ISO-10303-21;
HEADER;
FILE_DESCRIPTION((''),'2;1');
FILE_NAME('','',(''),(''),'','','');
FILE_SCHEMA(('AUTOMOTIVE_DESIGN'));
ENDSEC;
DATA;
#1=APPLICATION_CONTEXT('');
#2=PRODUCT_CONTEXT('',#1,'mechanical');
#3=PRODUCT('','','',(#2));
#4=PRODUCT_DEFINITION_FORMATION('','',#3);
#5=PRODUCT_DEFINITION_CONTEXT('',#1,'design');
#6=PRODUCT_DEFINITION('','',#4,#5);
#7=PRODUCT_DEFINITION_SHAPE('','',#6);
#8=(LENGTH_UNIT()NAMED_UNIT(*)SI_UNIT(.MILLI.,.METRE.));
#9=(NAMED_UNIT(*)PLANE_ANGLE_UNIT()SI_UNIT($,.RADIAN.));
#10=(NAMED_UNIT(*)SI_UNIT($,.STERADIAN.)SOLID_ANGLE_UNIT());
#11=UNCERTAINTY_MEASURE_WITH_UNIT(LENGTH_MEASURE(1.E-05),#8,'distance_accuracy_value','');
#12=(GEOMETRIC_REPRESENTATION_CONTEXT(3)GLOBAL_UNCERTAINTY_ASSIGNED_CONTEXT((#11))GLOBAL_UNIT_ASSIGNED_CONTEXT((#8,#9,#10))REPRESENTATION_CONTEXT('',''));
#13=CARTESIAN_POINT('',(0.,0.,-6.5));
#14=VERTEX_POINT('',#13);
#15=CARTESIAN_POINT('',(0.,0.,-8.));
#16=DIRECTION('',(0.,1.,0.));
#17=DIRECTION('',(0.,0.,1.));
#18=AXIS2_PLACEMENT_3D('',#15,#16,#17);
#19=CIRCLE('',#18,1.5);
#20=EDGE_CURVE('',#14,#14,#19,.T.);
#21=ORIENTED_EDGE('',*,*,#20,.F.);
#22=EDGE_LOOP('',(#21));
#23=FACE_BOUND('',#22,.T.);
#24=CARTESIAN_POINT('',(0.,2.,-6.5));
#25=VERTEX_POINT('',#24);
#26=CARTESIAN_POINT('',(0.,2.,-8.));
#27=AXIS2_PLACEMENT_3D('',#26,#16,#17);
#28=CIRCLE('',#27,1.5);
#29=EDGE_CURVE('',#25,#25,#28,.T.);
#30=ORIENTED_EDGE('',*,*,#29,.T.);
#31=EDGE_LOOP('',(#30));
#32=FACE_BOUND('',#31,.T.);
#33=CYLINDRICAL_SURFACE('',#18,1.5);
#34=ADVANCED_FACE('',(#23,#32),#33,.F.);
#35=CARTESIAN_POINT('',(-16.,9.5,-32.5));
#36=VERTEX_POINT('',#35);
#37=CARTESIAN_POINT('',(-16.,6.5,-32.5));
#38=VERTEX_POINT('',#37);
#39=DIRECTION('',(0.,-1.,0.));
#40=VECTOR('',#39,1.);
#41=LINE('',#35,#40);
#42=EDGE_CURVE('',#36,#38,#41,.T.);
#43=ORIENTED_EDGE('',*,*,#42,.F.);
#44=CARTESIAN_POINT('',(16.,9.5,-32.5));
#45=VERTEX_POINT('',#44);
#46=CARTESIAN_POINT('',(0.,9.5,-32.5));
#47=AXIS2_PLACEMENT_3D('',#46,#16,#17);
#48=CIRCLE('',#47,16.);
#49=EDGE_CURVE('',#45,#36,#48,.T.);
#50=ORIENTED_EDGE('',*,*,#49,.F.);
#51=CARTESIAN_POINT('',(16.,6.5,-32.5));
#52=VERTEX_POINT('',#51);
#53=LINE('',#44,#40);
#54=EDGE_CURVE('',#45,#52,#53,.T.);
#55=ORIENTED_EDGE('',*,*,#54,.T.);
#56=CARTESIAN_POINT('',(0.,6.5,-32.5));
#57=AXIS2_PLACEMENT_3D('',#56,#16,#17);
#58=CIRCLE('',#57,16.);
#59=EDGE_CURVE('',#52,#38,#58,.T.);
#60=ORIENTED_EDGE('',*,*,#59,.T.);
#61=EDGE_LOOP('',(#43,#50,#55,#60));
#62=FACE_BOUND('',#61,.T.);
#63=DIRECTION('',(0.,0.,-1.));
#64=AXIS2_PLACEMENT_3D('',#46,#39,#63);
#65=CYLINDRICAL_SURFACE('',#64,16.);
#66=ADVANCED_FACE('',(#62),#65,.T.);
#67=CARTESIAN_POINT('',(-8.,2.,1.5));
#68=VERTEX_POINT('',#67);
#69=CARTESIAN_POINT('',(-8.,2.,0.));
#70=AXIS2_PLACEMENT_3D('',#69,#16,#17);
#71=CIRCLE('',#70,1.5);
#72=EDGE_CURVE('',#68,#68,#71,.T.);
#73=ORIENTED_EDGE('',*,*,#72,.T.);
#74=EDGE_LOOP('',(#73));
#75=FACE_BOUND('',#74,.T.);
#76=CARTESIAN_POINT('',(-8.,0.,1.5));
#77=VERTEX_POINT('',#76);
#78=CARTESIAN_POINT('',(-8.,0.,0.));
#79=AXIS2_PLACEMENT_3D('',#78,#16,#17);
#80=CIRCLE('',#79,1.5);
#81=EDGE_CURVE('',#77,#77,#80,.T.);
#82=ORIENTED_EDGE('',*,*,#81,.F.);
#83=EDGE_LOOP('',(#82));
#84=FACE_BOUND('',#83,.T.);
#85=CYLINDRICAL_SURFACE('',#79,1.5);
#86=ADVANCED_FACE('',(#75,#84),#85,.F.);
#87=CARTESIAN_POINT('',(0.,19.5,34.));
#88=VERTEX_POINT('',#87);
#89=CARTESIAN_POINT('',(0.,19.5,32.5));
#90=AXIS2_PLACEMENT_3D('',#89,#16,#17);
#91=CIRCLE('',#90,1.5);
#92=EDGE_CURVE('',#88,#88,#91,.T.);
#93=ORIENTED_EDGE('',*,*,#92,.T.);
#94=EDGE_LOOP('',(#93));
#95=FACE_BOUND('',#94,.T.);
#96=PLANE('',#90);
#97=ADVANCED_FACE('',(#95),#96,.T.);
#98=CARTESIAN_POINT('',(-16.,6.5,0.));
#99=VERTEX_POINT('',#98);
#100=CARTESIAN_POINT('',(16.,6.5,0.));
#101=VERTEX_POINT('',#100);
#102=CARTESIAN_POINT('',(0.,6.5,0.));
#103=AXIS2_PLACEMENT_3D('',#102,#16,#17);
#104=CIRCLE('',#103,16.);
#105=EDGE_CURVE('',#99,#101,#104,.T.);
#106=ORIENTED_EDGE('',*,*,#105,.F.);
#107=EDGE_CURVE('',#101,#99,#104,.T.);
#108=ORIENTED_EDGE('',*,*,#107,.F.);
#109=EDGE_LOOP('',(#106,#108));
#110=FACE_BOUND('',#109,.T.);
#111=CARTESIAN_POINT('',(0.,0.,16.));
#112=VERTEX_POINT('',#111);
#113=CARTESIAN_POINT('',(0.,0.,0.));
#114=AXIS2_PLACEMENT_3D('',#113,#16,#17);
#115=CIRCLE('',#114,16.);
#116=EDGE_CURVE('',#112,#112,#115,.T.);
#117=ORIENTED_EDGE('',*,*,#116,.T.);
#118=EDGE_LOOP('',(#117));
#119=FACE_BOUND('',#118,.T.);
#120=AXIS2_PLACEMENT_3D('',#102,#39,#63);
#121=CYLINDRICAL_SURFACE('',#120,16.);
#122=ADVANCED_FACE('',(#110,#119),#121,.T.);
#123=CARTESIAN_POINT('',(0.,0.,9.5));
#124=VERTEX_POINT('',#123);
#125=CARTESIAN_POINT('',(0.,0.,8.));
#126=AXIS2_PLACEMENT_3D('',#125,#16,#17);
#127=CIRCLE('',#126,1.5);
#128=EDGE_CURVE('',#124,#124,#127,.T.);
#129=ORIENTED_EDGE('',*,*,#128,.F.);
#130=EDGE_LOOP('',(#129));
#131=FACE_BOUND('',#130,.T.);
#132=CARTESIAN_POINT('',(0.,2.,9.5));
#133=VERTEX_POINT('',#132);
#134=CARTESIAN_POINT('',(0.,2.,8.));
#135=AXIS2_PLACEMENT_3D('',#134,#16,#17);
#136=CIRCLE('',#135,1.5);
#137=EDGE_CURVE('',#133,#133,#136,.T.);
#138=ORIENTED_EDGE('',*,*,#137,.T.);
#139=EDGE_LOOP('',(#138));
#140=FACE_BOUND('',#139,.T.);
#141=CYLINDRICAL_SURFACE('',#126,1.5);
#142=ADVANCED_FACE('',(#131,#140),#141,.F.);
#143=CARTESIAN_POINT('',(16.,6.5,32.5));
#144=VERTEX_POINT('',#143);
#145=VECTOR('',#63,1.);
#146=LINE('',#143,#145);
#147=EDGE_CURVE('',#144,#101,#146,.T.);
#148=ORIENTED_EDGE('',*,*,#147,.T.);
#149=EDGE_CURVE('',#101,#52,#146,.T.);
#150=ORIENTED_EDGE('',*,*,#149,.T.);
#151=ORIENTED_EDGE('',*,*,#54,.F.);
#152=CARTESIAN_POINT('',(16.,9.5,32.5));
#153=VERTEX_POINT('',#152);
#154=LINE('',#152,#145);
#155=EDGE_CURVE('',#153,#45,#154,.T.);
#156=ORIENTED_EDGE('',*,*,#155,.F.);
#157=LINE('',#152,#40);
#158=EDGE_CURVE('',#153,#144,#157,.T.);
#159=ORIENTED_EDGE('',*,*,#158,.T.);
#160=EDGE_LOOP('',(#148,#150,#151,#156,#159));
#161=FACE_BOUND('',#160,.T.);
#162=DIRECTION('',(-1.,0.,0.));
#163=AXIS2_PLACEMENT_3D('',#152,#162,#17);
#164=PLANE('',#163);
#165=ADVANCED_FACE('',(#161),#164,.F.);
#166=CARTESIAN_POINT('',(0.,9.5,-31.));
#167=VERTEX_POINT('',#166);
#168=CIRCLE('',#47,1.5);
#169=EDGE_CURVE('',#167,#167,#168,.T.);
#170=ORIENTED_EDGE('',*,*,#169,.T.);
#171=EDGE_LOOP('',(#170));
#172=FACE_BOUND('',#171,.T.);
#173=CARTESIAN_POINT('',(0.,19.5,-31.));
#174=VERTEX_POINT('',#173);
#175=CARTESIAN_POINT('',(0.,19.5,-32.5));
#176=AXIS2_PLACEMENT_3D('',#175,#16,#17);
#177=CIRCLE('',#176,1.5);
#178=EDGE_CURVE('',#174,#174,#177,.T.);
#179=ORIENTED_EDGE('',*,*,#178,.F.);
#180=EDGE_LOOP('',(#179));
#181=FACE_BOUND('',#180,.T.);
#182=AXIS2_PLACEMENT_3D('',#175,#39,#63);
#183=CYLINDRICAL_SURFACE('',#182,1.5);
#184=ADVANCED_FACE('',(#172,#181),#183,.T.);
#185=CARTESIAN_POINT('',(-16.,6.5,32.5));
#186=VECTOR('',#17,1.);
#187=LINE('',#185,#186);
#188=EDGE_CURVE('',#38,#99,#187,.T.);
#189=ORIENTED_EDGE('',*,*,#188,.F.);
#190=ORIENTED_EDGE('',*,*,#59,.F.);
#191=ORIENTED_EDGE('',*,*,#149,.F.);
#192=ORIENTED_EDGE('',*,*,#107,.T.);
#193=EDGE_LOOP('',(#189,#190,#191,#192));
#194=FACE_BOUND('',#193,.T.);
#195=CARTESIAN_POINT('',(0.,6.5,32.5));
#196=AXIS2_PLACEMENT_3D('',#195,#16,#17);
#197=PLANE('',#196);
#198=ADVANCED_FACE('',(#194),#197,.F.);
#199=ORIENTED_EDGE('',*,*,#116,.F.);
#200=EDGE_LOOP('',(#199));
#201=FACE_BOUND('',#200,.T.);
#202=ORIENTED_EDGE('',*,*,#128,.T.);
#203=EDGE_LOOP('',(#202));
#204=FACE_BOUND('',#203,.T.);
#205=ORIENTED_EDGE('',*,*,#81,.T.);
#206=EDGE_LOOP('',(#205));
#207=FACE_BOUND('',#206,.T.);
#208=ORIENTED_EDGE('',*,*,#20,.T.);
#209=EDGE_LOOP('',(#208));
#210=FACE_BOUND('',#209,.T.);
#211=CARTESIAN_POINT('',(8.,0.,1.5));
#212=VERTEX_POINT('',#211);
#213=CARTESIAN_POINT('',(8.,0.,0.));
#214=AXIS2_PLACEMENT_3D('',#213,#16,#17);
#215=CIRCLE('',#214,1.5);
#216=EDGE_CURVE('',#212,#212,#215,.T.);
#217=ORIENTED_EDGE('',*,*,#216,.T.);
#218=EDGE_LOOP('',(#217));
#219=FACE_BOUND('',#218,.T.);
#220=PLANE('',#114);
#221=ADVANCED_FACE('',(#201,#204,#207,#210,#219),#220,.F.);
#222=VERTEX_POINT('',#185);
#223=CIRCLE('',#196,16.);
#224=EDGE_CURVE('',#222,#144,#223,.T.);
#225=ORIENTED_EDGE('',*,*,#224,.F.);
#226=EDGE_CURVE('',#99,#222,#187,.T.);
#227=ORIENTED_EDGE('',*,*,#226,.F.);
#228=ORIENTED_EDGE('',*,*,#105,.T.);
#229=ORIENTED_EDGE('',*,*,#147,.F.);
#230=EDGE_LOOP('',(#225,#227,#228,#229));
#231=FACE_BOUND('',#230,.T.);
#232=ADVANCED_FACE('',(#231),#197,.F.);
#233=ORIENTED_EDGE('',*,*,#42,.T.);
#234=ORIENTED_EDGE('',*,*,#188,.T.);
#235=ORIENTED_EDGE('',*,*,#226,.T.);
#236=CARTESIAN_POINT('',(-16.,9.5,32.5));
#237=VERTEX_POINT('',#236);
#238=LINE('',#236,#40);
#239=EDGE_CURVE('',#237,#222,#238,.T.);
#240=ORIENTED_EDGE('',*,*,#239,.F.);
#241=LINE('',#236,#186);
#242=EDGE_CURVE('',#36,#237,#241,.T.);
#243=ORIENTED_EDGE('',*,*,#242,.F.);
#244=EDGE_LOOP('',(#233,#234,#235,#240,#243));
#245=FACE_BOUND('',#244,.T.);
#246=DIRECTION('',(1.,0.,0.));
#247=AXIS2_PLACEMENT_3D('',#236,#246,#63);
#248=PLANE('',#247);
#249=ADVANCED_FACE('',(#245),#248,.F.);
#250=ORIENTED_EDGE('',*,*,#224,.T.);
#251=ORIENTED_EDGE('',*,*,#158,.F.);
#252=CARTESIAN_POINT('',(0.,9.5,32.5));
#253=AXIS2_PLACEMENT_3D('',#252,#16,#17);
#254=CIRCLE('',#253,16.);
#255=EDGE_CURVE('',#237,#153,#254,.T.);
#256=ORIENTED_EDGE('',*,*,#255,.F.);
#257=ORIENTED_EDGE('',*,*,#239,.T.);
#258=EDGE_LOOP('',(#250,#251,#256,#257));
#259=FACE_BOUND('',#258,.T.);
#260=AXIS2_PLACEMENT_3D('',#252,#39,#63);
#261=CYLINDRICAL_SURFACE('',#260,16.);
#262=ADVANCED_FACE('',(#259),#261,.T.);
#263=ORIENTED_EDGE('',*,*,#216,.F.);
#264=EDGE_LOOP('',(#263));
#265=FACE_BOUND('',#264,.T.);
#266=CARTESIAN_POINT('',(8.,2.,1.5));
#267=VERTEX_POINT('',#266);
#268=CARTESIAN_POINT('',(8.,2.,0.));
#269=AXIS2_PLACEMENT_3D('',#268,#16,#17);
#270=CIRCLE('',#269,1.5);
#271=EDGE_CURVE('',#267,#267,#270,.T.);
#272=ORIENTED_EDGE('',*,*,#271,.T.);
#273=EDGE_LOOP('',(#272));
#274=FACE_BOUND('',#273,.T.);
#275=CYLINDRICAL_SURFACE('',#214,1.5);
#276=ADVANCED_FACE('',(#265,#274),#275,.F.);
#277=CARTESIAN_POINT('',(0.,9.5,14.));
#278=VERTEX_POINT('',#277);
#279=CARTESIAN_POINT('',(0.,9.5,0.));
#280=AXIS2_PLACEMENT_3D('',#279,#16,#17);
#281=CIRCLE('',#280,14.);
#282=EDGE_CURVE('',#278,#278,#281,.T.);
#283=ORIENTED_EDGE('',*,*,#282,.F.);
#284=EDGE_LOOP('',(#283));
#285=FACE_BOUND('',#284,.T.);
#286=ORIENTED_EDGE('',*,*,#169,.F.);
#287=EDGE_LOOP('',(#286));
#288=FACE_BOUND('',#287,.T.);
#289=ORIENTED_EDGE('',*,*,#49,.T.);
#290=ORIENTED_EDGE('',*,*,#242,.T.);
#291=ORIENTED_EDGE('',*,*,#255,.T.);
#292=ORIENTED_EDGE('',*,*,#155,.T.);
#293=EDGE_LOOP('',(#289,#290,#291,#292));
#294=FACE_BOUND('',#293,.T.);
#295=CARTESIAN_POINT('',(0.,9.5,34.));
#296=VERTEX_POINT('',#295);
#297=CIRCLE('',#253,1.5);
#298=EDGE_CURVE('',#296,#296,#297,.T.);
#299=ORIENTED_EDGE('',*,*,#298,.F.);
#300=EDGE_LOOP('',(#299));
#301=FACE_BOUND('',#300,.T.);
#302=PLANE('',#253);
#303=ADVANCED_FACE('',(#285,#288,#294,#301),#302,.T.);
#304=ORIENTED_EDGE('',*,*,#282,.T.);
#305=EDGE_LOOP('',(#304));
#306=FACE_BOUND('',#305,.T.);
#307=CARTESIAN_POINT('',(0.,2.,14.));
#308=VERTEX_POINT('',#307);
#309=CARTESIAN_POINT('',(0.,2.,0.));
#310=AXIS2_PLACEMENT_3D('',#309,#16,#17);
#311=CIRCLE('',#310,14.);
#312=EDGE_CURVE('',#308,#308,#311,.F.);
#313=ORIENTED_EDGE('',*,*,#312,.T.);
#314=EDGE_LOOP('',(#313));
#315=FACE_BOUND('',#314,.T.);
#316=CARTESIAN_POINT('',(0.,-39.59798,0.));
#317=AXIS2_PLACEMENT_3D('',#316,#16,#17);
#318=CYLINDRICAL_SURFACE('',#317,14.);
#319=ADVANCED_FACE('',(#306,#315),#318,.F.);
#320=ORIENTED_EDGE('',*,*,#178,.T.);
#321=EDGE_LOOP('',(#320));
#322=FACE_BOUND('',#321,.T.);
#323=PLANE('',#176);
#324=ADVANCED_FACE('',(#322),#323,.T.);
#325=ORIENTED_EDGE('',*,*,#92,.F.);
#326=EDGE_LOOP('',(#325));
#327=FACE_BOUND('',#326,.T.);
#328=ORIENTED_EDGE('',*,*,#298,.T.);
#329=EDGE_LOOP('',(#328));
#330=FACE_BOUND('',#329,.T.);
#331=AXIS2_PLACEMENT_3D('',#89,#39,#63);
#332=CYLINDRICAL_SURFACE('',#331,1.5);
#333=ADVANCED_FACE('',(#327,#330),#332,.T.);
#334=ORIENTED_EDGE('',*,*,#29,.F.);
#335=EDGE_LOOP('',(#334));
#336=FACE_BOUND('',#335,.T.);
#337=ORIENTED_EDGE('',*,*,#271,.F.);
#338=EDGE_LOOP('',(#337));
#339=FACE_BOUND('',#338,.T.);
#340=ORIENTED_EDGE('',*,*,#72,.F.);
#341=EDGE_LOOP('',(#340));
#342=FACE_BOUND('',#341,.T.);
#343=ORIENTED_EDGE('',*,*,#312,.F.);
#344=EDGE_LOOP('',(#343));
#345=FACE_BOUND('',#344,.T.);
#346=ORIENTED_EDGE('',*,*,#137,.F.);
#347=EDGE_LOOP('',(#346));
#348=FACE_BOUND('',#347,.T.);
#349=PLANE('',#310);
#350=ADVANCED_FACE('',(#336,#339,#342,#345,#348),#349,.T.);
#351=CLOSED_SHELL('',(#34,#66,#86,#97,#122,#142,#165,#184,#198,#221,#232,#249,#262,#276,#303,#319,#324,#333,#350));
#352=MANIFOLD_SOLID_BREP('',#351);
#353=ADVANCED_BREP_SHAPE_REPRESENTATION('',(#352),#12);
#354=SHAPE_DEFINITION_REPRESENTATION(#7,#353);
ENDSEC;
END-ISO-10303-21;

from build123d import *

# Parameters (mm, degrees)
SKETCH1_R           = 16
BOSS_EXTRUDE1_DEPTH = 6.5
BOSS_EXTRUDE2_DEPTH = 3
SKETCH3_R           = 1.5
BOSS_EXTRUDE3_DEPTH = 10
SKETCH4_R           = 14
CUT_EXTRUDE1_DEPTH  = 7.5
SKETCH5_R           = 1.5
CUT_EXTRUDE2_DEPTH  = 54.986109325


with BuildPart() as part:
    # Sketch1 → Boss-Extrude1 (new body)
    with BuildSketch(Plane(origin=(0, 0, 0), x_dir=(1, 0, 0), z_dir=(0, 1, 0))):
        with Locations(Location((0, 0, 0), (0, 0, 90))):
            Circle(SKETCH1_R)
    extrude(amount=BOSS_EXTRUDE1_DEPTH)

    # Sketch2 → Boss-Extrude2 (add)
    with BuildSketch(Plane(origin=(0, 6.5, 0), x_dir=(1, 0, 0), z_dir=(0, 1, 0))):
        with BuildLine():
            Line((-16, -32.5), (-16, 32.5))
            ThreePointArc((-16, 32.5), (0, 48.5), (16, 32.5))
            Line((16, 32.5), (16, -32.5))
            ThreePointArc((16, -32.5), (0, -48.5), (-16, -32.5))
        make_face()
    extrude(amount=BOSS_EXTRUDE2_DEPTH)

    # Sketch3 → Boss-Extrude3 (add)
    with BuildSketch(Plane(origin=(0, 9.5, 0), x_dir=(1, 0, 0), z_dir=(0, 1, 0))):
        with Locations(Location((0, 32.5, 0), (0, 0, 270))):
            Circle(SKETCH3_R)
        with Locations(Location((0, -32.5, 0), (0, 0, 270))):
            Circle(SKETCH3_R)
    extrude(amount=BOSS_EXTRUDE3_DEPTH)

    # Sketch4 → Cut-Extrude1 (cut)
    with BuildSketch(Plane(origin=(0, 9.5, 0), x_dir=(1, 0, 0), z_dir=(0, 1, 0))):
        with Locations(Location((0, 0, 0), (0, 0, 270))):
            Circle(SKETCH4_R)
    extrude(amount=-CUT_EXTRUDE1_DEPTH, mode=Mode.SUBTRACT)

    # Sketch5 → Cut-Extrude2 (cut, through all)
    with BuildSketch(Plane(origin=(0, 2, 0), x_dir=(1, 0, 0), z_dir=(0, 1, 0))):
        with Locations(Location((8, 0, 0), (0, 0, 270))):
            Circle(SKETCH5_R)
        with Locations(Location((0, -8, 0), (0, 0, 270))):
            Circle(SKETCH5_R)
        with Locations(Location((-8, 0, 0), (0, 0, 270))):
            Circle(SKETCH5_R)
        with Locations(Location((0, 8, 0), (0, 0, 270))):
            Circle(SKETCH5_R)
    extrude(amount=-CUT_EXTRUDE2_DEPTH, mode=Mode.SUBTRACT)


solid = part.part
